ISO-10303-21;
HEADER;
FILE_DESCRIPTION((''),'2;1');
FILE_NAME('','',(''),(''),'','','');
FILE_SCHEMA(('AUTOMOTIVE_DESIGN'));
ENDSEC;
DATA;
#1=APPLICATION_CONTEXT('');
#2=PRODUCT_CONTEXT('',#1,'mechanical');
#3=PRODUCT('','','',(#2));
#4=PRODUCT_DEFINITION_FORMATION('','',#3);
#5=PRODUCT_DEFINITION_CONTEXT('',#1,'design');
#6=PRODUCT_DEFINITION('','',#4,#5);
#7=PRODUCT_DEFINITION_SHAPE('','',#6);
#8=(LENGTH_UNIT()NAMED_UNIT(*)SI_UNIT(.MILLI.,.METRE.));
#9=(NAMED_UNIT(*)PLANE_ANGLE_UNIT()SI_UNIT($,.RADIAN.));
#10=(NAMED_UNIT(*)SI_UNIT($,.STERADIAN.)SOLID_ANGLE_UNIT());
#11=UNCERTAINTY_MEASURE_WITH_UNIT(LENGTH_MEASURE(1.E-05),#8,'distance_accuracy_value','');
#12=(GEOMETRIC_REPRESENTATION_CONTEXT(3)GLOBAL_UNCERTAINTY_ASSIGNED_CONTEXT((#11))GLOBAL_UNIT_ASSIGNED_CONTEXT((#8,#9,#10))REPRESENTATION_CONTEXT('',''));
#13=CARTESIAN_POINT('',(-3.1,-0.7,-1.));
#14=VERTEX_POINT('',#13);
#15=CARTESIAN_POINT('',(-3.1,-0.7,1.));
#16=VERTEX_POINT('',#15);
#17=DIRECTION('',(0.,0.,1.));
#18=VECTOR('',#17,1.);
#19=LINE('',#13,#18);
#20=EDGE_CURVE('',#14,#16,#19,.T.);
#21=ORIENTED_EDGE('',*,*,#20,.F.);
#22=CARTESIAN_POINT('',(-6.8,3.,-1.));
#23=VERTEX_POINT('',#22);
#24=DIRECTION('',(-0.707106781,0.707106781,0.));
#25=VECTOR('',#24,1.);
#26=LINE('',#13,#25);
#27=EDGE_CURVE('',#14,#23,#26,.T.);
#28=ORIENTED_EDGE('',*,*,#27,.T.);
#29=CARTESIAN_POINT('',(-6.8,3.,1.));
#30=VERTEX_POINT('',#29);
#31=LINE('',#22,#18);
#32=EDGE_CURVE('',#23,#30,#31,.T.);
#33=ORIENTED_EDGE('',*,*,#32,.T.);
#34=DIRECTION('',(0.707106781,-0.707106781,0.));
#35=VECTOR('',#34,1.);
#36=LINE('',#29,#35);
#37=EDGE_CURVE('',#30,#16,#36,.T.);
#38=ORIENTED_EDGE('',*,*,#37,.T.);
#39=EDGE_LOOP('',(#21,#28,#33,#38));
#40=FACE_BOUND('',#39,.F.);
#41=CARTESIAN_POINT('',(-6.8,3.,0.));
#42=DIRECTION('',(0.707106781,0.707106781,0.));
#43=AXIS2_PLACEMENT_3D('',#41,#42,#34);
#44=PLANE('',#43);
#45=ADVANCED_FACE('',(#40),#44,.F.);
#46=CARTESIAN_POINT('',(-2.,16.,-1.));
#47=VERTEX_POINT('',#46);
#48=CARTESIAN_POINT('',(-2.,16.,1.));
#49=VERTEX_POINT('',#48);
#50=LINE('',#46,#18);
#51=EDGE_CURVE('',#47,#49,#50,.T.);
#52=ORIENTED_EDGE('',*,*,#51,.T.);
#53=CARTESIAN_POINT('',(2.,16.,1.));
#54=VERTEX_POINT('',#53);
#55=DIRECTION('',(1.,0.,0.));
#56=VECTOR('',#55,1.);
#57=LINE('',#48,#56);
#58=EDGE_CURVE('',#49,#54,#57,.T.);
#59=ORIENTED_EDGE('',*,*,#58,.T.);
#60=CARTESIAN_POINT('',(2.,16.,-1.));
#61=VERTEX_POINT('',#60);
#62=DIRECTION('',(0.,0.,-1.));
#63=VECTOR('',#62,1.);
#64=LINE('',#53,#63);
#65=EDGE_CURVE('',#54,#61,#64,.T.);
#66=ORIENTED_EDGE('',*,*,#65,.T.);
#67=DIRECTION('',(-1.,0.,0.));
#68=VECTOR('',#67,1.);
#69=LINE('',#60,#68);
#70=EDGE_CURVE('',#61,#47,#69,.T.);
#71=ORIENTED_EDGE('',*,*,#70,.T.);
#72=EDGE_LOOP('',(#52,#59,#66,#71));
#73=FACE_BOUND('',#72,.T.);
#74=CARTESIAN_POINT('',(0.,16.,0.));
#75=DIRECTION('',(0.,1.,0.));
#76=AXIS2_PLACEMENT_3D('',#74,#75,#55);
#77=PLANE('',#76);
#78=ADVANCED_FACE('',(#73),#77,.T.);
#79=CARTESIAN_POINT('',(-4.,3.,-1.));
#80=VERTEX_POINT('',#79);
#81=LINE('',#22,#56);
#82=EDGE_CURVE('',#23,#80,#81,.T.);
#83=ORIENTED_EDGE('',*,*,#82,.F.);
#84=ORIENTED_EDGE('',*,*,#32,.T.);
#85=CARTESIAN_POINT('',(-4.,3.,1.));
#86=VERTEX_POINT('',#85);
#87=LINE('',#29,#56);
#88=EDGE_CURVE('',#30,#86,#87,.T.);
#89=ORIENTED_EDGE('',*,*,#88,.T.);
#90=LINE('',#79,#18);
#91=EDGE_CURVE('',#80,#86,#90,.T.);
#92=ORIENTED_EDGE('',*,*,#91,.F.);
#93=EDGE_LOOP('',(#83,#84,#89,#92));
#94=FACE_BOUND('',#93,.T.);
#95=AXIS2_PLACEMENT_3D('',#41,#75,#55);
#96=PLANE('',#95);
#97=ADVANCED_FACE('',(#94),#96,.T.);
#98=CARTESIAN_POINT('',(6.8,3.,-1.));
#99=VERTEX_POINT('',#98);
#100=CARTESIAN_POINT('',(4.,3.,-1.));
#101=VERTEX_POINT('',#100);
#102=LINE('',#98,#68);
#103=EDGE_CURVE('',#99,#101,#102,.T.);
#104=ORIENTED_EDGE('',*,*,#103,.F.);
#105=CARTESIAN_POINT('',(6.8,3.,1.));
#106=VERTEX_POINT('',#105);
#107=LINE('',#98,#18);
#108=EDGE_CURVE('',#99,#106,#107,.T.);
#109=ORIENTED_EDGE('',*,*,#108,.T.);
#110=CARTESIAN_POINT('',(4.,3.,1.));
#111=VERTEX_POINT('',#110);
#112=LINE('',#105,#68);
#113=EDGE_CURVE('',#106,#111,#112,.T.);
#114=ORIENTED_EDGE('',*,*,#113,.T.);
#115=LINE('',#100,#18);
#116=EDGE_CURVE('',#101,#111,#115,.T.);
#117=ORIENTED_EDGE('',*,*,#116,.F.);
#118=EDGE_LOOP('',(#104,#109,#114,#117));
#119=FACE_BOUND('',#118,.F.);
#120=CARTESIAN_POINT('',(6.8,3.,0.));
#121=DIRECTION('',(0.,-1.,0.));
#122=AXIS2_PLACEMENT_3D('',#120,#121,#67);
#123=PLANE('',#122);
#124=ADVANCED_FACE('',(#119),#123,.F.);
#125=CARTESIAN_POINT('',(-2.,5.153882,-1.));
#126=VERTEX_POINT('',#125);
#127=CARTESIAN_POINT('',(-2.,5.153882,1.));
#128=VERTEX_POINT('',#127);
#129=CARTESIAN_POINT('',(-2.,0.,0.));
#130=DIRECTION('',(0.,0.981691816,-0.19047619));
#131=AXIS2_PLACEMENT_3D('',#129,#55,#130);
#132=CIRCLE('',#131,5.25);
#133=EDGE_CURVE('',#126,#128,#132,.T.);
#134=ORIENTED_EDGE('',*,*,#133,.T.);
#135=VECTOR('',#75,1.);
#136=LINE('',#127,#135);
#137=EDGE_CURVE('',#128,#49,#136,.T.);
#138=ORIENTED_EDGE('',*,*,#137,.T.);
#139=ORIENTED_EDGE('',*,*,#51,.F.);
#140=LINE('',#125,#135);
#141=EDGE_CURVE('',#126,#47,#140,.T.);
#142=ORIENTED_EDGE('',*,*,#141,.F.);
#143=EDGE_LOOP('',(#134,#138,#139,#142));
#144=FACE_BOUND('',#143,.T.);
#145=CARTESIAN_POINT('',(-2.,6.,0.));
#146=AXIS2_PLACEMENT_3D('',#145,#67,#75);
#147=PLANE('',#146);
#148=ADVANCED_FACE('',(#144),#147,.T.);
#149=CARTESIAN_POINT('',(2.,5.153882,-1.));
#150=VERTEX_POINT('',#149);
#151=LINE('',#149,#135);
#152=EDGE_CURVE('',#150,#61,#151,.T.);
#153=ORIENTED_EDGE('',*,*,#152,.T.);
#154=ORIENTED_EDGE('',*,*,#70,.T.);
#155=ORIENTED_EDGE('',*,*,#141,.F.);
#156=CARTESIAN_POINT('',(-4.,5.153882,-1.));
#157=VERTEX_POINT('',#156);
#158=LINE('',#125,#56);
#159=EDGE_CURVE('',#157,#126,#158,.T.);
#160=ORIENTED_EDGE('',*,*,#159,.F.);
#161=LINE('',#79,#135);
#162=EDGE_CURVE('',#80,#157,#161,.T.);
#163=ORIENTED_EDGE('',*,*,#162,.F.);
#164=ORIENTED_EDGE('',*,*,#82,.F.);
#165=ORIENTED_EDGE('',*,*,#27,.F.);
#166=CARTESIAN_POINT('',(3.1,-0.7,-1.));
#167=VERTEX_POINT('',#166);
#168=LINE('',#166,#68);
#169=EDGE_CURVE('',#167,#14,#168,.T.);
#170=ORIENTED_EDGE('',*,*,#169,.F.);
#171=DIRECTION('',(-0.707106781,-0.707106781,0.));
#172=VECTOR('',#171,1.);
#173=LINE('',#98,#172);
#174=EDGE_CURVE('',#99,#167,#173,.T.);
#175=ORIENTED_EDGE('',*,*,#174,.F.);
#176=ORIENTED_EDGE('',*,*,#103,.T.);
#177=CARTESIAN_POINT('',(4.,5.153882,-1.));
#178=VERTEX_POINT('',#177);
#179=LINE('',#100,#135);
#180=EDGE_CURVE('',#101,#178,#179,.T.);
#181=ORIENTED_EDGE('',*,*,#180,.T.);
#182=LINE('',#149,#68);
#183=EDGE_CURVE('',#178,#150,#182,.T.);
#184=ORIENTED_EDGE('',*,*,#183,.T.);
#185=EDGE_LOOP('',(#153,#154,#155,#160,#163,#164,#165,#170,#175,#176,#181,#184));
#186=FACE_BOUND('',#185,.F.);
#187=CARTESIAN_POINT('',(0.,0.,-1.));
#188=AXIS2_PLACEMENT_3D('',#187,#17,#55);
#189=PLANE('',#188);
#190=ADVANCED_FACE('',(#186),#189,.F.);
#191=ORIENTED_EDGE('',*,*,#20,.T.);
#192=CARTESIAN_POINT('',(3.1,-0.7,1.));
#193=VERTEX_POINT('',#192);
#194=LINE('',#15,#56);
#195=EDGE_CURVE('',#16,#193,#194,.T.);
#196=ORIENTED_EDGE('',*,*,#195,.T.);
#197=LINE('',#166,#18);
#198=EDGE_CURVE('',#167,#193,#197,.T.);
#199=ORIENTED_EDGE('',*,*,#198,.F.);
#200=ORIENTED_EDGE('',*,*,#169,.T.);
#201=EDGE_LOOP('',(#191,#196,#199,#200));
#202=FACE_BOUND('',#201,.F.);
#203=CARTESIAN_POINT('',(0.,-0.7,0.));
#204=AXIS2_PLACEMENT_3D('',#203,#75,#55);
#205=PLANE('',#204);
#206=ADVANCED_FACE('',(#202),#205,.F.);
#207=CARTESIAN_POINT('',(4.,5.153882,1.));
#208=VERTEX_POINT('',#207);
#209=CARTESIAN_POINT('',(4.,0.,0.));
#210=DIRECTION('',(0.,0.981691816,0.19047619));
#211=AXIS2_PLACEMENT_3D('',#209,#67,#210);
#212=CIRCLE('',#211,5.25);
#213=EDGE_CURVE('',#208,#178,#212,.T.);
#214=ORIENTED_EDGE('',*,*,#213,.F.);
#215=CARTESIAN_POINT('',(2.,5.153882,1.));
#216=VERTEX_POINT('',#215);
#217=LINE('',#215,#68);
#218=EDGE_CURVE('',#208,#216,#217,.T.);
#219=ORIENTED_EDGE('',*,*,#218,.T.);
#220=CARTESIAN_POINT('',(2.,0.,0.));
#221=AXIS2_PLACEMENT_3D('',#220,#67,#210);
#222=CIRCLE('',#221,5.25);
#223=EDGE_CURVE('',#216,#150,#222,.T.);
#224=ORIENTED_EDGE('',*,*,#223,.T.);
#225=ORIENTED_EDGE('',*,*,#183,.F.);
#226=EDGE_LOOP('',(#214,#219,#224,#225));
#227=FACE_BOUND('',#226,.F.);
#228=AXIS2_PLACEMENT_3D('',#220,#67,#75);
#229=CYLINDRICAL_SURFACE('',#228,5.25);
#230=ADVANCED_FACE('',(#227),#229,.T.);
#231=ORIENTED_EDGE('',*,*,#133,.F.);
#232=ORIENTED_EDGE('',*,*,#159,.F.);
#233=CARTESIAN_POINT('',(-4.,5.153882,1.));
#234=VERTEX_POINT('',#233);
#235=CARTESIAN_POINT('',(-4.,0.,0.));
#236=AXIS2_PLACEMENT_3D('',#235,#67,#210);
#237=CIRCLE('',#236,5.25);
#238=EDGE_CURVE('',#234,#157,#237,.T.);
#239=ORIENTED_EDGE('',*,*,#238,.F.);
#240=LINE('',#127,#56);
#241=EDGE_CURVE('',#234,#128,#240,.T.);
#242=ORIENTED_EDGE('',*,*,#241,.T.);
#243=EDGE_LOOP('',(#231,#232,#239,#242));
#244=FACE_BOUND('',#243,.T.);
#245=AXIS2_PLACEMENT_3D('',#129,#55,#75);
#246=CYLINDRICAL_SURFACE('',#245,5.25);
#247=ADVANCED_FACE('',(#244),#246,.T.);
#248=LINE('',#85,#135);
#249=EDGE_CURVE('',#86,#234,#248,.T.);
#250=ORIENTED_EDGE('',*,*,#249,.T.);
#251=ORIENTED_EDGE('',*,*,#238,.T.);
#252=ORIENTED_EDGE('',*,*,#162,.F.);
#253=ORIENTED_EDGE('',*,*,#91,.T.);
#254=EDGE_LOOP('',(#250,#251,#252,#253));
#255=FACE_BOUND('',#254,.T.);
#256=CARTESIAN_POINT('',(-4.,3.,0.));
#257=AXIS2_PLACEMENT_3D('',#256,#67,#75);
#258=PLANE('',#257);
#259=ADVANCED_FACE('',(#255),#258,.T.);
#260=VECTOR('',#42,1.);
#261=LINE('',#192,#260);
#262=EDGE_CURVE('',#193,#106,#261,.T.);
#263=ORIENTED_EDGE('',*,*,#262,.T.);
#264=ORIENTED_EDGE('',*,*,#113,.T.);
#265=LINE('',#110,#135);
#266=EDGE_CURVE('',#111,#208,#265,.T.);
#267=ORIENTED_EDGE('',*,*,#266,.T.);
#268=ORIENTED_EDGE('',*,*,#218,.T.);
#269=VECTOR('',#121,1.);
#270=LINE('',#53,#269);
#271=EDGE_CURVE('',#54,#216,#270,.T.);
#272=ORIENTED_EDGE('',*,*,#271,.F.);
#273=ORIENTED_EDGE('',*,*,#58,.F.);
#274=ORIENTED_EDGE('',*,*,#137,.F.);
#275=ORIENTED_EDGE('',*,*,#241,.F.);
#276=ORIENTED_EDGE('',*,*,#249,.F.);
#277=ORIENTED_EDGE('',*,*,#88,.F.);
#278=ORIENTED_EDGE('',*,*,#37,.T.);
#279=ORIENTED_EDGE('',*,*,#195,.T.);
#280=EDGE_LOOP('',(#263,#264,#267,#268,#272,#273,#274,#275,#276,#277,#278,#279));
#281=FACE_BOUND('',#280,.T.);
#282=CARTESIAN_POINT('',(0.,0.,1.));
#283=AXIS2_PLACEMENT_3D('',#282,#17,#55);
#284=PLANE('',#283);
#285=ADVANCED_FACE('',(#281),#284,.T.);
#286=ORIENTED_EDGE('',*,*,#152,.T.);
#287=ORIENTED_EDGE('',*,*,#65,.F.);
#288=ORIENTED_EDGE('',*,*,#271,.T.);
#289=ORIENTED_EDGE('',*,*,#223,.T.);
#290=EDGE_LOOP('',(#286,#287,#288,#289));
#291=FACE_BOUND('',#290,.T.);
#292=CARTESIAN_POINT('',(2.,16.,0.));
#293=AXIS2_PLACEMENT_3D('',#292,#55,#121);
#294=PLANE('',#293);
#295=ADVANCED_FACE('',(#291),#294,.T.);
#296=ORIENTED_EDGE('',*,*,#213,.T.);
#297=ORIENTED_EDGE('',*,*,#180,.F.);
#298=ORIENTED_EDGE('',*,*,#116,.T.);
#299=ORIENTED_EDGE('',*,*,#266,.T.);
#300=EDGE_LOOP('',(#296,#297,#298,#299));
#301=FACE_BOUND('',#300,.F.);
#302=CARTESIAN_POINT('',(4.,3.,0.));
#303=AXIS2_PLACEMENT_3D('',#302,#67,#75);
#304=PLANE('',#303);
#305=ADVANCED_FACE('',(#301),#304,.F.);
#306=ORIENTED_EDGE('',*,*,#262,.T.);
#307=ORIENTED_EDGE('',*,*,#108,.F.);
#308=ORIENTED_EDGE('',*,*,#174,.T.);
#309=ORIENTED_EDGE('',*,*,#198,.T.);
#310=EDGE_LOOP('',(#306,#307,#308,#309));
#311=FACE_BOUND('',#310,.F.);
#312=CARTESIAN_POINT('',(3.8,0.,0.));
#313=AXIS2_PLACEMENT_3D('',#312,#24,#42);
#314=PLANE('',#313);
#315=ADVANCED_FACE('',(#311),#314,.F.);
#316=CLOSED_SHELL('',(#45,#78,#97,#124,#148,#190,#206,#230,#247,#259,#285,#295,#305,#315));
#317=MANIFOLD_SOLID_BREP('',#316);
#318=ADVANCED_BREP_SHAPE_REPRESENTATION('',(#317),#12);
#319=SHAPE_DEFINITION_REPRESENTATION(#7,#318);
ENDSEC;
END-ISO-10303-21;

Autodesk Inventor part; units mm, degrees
ref_plane "YZ Plane" through (0, 0, 0) normal (1, 0, 0) x (0, 1, 0)
ref_plane "XZ Plane" through (0, 0, 0) normal (0, 1, 0) x (-1, 0, 0)
ref_plane "XY Plane" through (0, 0, 0) normal (0, 0, 1) x (1, 0, 0)
sketch "Profile" plane through (0, 0, 0) normal (0, 0, 1) x (1, 0, 0)
  line L0 (0, 19.34) -> (0, -4.04) projected
  line L1 (-9.52, 0) -> (9.52, 0) projected
  line L2 (-6.8, 3) -> (-3.1, -0.7)
  line L3 (-3.1, -0.7) -> (3.1, -0.7)
  line L4 (3.1, -0.7) -> (6.8, 3)
  line L5 (6.8, 3) -> (4, 3)
  line L6 (4, 3) -> (4, 6)
  line L7 (-6.8, 3) -> (-4, 3)
  line L8 (-4, 3) -> (-4, 6)
  line L9 (-4, 6) -> (4, 6)
  line L10 (-2, 6) -> (-2, 16)
  line L11 (-2, 16) -> (2, 16)
  line L12 (2, 16) -> (2, 6)
  point P0 (0, 0)
  dimension "d0" = 13.6
  dimension "d1" = 3
  dimension "d2" = 45
  dimension "d3" = 3.7
  dimension "d4" = 3
  dimension "d5" = 8
  dimension "d6" = 4
  dimension "d7" = 10
extrude "Body" add sketch "Profile" along normal mid plane 2
sketch "RotateSketch" plane through (0, 0, 0) normal (1, 0, 0) x (0, 1, 0)
  line L0 (0, 11.2) -> (0, -11.2) projected
  circle A0 centre (0, 0) radius 5.25
  circle A1 centre (0, 0) radius 8
  point P0 (0, 8)
  point P1 (0, 5.25)
  point P2 (0, -5.25)
  point P3 (0, -8)
  dimension "d10" = 10.5
  dimension "d11" = 16
extrude "RotateEdge" cut sketch "RotateSketch" along normal blind 2 from surface at 2 contours A1 L0 A0 picked at (3.9108, -5.8557)
mirror "Mirror" about plane through (0, 0, 0) normal (1, 0, 0) of "RotateEdge"
properties part number "SwitchLeverUnit_Lever"
